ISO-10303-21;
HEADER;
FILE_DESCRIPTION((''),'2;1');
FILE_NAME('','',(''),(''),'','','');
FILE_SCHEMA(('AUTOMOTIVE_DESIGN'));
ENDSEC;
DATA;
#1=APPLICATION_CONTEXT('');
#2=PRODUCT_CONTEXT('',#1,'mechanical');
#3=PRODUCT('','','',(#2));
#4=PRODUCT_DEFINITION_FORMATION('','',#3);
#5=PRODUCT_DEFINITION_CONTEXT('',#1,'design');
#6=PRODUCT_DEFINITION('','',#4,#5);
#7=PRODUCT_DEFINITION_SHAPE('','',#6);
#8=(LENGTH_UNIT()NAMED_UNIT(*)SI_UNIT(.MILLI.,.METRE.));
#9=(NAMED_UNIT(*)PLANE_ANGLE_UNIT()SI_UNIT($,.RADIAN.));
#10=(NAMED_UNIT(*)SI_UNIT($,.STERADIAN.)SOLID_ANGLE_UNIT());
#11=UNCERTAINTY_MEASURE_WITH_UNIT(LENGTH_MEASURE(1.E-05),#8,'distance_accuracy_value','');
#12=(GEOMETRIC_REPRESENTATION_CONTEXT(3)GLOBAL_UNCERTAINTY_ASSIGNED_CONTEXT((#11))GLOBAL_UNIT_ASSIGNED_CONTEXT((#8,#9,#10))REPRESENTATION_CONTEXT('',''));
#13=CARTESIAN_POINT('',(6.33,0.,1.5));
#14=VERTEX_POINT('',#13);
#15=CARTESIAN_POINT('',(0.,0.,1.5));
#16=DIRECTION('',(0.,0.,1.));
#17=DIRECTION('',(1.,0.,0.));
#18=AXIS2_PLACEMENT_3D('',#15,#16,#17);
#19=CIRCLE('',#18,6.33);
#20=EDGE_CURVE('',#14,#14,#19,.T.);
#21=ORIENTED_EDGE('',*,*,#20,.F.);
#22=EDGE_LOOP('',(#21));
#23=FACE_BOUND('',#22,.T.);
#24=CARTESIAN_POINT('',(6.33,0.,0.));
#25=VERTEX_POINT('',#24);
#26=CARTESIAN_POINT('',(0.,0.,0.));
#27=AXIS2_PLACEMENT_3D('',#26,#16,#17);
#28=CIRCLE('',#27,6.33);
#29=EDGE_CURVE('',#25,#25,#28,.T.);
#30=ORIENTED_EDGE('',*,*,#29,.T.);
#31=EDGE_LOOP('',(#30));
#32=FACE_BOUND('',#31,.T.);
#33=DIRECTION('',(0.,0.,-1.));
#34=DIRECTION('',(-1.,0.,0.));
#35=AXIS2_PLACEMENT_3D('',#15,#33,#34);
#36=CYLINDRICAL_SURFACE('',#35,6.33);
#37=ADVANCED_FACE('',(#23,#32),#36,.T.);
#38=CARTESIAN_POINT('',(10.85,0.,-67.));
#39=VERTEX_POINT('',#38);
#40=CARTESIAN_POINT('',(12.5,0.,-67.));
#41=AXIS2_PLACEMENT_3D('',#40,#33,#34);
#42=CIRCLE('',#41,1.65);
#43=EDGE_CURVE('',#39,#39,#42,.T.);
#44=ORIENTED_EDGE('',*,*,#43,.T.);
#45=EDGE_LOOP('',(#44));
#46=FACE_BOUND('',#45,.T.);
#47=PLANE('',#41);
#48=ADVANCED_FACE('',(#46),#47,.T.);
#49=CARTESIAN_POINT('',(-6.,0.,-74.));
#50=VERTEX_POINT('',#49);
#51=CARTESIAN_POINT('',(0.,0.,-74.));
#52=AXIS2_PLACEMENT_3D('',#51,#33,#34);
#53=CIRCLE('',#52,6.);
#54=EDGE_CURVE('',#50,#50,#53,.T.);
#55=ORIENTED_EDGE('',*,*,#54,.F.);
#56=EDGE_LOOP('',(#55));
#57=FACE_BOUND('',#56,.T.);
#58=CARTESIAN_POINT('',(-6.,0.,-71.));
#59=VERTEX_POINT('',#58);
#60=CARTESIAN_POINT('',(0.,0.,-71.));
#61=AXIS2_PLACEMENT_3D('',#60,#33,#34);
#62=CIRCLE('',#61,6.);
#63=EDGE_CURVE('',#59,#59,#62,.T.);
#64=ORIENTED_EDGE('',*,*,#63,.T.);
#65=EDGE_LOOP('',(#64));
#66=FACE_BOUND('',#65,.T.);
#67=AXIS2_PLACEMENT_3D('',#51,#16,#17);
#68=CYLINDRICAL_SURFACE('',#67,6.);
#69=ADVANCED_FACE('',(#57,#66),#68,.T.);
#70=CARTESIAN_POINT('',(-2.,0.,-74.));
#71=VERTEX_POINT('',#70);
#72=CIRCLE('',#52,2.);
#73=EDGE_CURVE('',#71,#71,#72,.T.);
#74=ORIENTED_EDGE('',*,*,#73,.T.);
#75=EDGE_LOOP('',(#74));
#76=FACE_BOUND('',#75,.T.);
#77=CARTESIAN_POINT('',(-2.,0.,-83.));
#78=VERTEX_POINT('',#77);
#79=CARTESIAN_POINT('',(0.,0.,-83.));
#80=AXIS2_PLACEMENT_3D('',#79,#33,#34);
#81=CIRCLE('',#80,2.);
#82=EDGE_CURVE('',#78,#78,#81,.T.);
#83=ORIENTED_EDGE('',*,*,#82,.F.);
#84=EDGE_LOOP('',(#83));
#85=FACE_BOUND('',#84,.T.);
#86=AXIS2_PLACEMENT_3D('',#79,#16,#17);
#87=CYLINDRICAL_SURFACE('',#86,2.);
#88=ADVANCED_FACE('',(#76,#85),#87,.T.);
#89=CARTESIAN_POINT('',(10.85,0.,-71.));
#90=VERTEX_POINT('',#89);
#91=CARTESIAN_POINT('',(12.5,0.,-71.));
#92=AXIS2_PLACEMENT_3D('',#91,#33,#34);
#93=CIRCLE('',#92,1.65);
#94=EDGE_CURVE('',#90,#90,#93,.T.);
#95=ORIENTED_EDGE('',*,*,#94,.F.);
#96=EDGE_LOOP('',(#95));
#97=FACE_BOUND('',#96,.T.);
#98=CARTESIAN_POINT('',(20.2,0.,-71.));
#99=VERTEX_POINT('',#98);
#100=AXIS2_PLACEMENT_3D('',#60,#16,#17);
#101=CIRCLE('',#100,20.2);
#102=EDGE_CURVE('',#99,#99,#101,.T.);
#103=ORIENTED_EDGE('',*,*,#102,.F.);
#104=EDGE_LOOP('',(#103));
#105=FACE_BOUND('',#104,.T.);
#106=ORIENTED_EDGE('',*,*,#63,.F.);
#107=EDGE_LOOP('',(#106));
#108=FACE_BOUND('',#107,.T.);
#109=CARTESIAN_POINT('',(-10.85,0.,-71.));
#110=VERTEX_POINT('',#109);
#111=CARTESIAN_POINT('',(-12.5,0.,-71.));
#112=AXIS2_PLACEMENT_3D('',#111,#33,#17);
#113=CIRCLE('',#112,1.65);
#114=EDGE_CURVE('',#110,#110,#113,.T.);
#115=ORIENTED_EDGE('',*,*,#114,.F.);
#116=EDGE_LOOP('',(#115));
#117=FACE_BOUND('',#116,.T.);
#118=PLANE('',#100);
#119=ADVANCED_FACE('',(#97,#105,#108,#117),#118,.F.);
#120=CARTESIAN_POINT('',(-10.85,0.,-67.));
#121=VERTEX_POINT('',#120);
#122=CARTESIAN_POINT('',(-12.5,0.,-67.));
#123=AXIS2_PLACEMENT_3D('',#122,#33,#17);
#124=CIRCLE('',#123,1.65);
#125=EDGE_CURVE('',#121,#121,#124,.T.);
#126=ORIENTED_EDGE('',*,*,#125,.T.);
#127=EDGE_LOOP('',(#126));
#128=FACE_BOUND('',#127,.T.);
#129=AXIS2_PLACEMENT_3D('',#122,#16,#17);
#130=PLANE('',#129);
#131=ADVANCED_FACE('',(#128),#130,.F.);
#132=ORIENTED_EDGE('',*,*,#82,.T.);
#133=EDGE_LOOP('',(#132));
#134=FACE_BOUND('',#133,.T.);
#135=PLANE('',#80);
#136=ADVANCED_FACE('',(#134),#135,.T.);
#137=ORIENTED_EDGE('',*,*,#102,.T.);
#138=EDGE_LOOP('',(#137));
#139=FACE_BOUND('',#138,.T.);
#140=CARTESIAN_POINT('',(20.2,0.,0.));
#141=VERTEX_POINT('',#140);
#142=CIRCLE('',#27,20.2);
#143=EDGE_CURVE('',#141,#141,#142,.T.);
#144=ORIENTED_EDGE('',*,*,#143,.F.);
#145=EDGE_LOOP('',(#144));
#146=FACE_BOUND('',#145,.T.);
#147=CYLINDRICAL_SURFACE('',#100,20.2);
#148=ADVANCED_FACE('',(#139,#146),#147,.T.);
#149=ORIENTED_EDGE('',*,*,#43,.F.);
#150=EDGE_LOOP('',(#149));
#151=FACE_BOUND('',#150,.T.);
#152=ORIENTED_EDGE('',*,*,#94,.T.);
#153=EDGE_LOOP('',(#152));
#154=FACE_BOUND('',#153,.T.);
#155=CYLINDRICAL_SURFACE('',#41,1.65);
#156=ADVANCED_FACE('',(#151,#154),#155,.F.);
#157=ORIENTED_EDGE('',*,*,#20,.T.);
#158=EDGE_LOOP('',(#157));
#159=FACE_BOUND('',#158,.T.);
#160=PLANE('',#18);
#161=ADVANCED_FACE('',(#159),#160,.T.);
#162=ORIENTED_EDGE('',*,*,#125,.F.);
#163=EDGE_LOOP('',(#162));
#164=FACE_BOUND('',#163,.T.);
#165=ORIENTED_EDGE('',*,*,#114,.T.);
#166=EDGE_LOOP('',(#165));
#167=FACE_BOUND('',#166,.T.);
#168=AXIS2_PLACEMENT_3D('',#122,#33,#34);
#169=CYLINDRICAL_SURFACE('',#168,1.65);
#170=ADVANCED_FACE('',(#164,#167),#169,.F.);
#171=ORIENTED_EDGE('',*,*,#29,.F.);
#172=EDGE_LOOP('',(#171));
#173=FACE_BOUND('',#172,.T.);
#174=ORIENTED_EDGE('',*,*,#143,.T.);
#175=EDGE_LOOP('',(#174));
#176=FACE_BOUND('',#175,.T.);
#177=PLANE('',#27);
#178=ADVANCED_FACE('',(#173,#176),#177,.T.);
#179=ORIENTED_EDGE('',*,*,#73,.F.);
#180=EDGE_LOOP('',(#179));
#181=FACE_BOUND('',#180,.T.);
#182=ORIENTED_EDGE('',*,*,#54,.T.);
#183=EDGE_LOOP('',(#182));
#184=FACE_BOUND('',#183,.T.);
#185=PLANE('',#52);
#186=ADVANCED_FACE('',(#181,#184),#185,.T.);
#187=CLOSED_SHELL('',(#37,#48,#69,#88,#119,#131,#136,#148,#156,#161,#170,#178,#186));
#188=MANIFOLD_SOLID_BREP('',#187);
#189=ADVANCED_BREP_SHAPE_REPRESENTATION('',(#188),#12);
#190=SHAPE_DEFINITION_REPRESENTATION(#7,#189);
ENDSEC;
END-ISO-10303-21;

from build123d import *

# Parameters (mm, degrees)
SKETCH1_R           = 6.33
BOSS_EXTRUDE1_DEPTH = 1.5
SKETCH2_R           = 20.2
BOSS_EXTRUDE2_DEPTH = 71
SKETCH6_R           = 6
BOSS_EXTRUDE4_DEPTH = 3
SKETCH7_R           = 2
BOSS_EXTRUDE5_DEPTH = 9
SKETCH8_R           = 1.65
CUT_EXTRUDE1_DEPTH  = 4


with BuildPart() as part:
    # Sketch1 → Boss-Extrude1 (new body)
    with BuildSketch(Plane.XY):
        Circle(SKETCH1_R)
    extrude(amount=BOSS_EXTRUDE1_DEPTH)

    # Sketch2 → Boss-Extrude2 (add)
    with BuildSketch(Plane.XY):
        Circle(SKETCH2_R)
    extrude(amount=-BOSS_EXTRUDE2_DEPTH)

    # Sketch6 → Boss-Extrude4 (add)
    with BuildSketch(Plane(origin=(0, 0, -71), x_dir=(-1, 0, 0), z_dir=(0, 0, -1))):
        Circle(SKETCH6_R)
    extrude(amount=BOSS_EXTRUDE4_DEPTH)

    # Sketch7 → Boss-Extrude5 (add)
    with BuildSketch(Plane(origin=(0, 0, -74), x_dir=(-1, 0, 0), z_dir=(0, 0, -1))):
        Circle(SKETCH7_R)
    extrude(amount=BOSS_EXTRUDE5_DEPTH)

    # Sketch8 → Cut-Extrude1 (cut)
    with BuildSketch(Plane(origin=(0, 0, -71), x_dir=(-1, 0, 0), z_dir=(0, 0, -1))):
        with Locations((-12.5, 0)):
            Circle(SKETCH8_R)
        with Locations((12.5, 0)):
            Circle(SKETCH8_R)
    extrude(amount=-CUT_EXTRUDE1_DEPTH, mode=Mode.SUBTRACT)


solid = part.part
